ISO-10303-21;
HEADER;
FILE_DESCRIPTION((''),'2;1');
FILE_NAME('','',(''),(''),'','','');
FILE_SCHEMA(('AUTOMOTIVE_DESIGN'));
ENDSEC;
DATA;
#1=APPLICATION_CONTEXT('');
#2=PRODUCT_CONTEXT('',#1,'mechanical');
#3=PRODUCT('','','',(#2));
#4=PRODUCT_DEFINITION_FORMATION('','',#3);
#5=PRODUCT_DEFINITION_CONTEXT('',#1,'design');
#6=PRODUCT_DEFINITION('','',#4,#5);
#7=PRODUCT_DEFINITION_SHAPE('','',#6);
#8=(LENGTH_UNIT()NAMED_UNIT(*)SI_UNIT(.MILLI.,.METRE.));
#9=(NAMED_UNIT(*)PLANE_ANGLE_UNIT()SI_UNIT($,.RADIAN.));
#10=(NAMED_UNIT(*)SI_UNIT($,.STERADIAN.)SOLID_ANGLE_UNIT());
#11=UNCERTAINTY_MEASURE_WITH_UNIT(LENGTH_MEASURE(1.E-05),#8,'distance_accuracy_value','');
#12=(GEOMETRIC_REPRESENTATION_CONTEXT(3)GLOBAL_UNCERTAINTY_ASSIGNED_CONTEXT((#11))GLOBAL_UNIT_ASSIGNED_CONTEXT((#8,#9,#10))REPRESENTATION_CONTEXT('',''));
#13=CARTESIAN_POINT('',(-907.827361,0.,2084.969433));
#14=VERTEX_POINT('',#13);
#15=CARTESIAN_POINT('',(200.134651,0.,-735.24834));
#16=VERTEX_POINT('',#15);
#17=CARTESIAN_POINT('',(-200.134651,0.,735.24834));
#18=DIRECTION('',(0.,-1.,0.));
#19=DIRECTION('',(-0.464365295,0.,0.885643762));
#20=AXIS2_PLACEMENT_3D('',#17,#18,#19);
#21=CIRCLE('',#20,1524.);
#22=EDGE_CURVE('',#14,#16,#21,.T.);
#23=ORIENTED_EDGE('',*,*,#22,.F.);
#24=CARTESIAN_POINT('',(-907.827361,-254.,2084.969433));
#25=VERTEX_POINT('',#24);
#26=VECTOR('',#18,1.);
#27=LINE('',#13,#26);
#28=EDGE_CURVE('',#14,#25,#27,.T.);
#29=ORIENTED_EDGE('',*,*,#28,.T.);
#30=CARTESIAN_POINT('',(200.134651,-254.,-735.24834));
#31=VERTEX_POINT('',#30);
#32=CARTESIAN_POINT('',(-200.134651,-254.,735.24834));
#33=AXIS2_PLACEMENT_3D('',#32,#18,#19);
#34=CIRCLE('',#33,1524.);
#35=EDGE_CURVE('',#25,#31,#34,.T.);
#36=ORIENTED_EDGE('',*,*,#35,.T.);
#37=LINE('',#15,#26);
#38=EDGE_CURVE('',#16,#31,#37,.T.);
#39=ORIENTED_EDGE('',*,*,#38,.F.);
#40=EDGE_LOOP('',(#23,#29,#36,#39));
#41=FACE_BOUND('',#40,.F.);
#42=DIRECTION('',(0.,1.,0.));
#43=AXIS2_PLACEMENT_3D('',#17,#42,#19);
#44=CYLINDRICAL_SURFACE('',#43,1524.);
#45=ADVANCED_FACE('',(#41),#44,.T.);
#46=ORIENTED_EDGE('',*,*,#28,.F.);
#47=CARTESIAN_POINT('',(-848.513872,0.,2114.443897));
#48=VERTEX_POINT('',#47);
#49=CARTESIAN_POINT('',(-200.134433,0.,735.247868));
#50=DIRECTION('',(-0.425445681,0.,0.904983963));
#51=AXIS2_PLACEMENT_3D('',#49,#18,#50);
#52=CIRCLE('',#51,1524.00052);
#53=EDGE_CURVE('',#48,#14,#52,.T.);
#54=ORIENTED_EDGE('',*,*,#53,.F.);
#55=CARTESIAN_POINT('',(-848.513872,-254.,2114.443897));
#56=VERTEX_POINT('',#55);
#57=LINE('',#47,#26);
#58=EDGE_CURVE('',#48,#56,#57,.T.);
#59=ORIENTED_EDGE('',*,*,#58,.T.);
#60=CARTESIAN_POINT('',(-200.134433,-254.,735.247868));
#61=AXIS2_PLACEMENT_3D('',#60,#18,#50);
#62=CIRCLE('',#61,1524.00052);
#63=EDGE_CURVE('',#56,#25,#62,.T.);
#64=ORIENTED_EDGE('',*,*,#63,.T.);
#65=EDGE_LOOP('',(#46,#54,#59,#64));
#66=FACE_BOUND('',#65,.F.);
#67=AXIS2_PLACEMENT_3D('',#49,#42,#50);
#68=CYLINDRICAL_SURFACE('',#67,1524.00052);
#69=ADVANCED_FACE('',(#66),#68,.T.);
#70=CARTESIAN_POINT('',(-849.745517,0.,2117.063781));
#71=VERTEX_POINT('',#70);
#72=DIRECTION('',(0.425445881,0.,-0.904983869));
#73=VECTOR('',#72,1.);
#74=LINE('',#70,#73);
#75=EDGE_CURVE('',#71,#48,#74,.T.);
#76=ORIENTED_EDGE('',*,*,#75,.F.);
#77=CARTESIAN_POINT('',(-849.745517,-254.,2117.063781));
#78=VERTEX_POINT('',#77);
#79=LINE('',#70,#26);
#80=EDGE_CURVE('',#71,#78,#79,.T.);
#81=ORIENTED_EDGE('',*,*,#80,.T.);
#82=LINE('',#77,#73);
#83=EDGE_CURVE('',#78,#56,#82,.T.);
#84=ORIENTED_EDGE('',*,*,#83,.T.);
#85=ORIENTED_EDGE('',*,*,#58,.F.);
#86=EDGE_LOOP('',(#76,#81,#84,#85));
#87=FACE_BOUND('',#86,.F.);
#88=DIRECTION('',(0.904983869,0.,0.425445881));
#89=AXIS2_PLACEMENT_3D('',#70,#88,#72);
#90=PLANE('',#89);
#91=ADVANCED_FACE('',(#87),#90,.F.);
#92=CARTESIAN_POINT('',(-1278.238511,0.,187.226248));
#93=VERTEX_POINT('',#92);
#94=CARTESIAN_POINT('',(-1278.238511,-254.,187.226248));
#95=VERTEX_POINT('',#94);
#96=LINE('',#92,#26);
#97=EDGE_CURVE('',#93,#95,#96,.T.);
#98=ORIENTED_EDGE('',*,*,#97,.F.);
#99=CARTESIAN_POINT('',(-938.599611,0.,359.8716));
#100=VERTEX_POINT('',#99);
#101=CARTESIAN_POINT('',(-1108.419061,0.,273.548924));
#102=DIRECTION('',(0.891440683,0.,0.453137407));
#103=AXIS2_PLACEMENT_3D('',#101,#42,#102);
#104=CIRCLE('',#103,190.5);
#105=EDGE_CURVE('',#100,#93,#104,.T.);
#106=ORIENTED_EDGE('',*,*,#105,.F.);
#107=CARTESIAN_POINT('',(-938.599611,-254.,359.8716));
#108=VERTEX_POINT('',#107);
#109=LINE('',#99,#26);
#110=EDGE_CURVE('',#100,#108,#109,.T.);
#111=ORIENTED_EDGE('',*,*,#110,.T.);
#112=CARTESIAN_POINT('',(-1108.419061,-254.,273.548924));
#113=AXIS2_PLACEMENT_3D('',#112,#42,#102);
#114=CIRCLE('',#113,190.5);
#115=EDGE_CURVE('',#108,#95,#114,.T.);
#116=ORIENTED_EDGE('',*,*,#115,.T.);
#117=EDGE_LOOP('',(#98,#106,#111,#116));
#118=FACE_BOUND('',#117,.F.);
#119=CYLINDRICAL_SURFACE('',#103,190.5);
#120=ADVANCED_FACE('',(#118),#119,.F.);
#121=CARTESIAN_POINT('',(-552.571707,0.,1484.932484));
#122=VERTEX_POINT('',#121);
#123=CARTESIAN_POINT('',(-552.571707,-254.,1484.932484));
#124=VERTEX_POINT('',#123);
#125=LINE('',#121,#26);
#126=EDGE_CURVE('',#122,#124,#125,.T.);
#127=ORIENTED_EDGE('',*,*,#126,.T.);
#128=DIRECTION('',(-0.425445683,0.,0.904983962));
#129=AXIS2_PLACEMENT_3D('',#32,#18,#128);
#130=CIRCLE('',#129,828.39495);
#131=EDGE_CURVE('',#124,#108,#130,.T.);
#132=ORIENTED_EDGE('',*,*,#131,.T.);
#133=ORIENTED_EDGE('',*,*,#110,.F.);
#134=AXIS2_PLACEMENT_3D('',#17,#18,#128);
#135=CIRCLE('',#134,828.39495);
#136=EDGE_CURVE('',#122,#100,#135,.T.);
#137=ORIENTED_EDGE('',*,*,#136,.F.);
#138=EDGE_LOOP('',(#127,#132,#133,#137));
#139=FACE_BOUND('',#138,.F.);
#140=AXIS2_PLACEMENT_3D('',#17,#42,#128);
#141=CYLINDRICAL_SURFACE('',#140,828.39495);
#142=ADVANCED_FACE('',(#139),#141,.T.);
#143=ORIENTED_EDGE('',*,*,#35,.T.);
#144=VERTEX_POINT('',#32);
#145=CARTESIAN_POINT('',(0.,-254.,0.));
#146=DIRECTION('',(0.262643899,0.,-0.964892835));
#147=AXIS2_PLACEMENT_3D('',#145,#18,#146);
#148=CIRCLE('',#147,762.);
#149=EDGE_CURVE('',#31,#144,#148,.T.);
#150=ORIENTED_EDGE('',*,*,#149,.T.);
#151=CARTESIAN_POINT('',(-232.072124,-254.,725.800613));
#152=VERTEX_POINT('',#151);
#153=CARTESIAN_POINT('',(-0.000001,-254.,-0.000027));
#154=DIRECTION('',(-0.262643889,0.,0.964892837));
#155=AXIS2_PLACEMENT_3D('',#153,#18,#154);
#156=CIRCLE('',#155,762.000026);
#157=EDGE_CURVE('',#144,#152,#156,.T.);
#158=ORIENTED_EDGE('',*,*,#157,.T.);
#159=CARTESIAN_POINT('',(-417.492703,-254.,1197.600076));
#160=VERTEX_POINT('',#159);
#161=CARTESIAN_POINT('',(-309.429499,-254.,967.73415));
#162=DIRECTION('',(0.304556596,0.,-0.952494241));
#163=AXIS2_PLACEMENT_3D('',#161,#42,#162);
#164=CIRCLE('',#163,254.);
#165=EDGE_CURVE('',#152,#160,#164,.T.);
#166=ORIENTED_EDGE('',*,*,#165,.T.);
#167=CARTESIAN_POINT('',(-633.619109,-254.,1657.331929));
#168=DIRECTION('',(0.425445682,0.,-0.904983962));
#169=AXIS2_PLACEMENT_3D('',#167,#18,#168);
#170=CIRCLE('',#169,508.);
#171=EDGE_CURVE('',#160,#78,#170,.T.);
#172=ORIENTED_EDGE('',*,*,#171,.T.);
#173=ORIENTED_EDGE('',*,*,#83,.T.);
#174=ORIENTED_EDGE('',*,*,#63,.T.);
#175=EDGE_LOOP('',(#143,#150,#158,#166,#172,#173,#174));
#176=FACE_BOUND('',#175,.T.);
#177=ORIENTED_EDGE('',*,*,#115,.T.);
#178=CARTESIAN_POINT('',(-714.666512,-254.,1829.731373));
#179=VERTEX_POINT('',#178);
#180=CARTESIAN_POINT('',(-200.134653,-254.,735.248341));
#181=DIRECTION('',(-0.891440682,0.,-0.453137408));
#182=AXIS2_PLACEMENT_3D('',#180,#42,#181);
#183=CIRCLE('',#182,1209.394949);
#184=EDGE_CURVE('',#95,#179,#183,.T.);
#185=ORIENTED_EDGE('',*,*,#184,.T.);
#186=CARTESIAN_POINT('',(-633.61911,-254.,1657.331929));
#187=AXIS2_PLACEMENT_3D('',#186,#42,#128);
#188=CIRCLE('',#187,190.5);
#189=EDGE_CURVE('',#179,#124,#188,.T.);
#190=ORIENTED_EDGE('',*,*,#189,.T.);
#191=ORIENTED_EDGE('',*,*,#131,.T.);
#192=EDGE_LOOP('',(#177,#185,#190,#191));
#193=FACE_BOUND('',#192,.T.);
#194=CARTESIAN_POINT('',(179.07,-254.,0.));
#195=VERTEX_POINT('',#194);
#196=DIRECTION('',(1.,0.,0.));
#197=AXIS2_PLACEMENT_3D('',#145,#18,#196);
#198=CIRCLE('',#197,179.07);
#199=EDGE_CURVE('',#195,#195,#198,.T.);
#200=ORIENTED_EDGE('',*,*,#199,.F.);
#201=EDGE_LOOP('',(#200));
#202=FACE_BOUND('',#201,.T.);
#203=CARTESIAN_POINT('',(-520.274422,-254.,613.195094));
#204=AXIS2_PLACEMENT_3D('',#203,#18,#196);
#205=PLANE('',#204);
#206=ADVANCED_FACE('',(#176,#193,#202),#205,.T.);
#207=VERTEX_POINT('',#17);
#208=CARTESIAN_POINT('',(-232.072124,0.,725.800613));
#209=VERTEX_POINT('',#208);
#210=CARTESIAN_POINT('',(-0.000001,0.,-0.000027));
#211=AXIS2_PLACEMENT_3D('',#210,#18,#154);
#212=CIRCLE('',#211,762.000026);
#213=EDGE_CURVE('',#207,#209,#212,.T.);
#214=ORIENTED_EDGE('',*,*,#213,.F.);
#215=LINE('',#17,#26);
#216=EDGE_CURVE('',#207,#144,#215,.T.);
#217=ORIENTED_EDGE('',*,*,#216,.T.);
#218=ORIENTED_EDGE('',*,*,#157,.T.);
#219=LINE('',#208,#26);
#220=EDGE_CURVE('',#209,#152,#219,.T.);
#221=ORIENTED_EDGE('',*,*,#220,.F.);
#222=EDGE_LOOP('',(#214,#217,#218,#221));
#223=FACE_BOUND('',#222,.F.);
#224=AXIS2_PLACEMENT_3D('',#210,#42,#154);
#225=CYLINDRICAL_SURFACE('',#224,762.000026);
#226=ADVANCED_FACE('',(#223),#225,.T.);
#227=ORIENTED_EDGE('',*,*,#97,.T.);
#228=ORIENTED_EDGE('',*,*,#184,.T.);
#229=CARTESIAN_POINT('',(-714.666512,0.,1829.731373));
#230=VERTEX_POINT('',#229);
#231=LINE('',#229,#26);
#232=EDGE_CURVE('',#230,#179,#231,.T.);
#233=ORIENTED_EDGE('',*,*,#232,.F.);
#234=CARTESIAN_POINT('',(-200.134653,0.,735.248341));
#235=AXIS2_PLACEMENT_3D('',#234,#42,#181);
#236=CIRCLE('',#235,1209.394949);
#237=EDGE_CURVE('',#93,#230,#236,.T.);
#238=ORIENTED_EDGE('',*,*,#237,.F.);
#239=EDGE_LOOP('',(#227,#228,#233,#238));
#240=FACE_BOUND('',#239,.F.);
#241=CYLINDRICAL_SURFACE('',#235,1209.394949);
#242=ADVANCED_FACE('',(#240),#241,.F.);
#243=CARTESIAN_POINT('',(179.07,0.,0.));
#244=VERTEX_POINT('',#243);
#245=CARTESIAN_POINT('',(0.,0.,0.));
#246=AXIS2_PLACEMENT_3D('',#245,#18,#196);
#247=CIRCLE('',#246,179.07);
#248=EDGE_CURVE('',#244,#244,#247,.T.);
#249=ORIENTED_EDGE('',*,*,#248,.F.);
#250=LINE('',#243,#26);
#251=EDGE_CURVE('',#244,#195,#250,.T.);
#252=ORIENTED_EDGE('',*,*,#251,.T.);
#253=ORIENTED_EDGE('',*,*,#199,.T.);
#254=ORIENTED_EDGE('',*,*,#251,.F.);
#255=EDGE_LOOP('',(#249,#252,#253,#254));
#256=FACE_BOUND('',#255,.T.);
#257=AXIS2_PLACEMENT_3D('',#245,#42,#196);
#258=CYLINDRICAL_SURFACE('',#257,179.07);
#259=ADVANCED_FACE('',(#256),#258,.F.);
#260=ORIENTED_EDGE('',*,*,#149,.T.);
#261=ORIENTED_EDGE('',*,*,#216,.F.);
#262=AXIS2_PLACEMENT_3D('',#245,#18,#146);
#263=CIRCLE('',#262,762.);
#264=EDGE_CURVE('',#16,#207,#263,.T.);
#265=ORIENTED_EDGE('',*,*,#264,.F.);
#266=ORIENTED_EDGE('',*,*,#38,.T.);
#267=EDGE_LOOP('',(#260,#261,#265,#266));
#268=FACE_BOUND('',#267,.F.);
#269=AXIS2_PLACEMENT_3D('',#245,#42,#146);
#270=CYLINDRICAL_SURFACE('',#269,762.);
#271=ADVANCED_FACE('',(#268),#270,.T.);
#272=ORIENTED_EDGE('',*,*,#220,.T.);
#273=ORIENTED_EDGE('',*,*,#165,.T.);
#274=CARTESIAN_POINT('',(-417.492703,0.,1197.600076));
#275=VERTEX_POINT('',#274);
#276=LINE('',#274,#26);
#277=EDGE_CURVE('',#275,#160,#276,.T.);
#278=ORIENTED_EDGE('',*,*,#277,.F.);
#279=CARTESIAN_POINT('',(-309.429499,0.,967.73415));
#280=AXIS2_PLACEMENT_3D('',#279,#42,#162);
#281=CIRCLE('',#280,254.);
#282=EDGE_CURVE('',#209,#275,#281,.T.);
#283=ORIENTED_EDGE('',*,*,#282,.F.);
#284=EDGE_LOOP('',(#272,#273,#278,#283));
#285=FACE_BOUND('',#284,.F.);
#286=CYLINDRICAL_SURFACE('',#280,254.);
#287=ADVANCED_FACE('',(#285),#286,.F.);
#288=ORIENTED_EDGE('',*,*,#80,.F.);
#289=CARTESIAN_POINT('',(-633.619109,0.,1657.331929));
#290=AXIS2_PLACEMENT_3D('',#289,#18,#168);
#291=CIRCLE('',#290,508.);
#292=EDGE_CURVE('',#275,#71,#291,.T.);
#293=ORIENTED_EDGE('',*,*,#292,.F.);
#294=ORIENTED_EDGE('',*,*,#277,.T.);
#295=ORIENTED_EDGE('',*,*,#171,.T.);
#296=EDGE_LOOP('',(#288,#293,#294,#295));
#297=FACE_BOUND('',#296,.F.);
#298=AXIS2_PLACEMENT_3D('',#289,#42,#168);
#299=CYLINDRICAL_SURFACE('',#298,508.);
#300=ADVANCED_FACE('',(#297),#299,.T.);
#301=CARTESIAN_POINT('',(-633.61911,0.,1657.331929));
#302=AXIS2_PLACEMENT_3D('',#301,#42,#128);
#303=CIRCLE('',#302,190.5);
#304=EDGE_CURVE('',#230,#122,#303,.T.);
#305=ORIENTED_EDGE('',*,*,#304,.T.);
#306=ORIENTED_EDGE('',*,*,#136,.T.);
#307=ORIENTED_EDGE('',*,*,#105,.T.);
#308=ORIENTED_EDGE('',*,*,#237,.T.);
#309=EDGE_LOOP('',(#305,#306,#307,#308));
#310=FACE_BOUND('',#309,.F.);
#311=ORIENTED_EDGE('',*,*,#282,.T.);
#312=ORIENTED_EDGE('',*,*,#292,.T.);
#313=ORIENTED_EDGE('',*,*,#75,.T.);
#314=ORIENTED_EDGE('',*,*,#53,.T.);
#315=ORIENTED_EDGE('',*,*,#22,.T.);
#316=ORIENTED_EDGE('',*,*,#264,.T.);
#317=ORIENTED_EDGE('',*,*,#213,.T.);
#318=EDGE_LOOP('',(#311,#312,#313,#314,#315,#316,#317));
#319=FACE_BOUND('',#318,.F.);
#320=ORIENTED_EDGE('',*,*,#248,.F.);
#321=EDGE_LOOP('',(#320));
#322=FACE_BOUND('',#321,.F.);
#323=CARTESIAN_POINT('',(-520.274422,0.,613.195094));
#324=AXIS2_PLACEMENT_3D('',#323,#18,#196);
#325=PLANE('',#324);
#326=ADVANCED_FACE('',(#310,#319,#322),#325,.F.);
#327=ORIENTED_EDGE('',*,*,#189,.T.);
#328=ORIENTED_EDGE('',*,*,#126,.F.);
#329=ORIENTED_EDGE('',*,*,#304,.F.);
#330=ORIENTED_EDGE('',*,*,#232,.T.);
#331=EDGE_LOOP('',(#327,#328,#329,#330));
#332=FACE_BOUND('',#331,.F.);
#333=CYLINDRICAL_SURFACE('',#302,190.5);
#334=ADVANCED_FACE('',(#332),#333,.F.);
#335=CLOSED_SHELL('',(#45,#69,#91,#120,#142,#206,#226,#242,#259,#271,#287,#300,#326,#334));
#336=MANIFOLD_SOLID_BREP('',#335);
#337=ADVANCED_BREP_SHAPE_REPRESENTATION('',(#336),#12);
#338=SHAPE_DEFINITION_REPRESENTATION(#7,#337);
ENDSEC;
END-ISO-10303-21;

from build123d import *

# Parameters (mm, degrees)
F0_R     = 179.07
F1_DEPTH = 254


with BuildPart() as f1:
    # F0 (on Front) → F1 (new body)
    with BuildSketch(Plane.XZ):
        with BuildLine():
            ThreePointArc((-907.827361, 2084.969433), (-1618.596621, 177.985708), (200.134651, -735.24834))
            ThreePointArc((200.134651, -735.24834), (735.24834, 200.134651), (-200.134651, 735.24834))
            ThreePointArc((-200.134651, 735.24834), (-216.155012, 730.698988), (-232.072124, 725.800613))
            ThreePointArc((-232.072124, 725.800613), (-545.828305, 874.827721), (-417.492703, 1197.600076))
            ThreePointArc((-417.492703, 1197.600076), (-173.887257, 1873.458336), (-849.745517, 2117.063781))
            Line((-849.745517, 2117.063781), (-848.513872, 2114.443897))
            ThreePointArc((-848.513872, 2114.443897), (-878.330756, 2100.028924), (-907.827361, 2084.969433))
        make_face()
        Circle(F0_R, mode=Mode.SUBTRACT)
        with BuildLine():
            ThreePointArc((-714.666512, 1829.731373), (-461.219665, 1738.379331), (-552.571707, 1484.932484))
            ThreePointArc((-552.571707, 1484.932484), (-983.688925, 1004.099403), (-938.599611, 359.8716))
            ThreePointArc((-938.599611, 359.8716), (-1022.096385, 103.729474), (-1278.238511, 187.226248))
            ThreePointArc((-1278.238511, 187.226248), (-1344.065553, 1127.750874), (-714.666512, 1829.731373))
        make_face(mode=Mode.SUBTRACT)
    extrude(amount=F1_DEPTH)


solid = f1.part
